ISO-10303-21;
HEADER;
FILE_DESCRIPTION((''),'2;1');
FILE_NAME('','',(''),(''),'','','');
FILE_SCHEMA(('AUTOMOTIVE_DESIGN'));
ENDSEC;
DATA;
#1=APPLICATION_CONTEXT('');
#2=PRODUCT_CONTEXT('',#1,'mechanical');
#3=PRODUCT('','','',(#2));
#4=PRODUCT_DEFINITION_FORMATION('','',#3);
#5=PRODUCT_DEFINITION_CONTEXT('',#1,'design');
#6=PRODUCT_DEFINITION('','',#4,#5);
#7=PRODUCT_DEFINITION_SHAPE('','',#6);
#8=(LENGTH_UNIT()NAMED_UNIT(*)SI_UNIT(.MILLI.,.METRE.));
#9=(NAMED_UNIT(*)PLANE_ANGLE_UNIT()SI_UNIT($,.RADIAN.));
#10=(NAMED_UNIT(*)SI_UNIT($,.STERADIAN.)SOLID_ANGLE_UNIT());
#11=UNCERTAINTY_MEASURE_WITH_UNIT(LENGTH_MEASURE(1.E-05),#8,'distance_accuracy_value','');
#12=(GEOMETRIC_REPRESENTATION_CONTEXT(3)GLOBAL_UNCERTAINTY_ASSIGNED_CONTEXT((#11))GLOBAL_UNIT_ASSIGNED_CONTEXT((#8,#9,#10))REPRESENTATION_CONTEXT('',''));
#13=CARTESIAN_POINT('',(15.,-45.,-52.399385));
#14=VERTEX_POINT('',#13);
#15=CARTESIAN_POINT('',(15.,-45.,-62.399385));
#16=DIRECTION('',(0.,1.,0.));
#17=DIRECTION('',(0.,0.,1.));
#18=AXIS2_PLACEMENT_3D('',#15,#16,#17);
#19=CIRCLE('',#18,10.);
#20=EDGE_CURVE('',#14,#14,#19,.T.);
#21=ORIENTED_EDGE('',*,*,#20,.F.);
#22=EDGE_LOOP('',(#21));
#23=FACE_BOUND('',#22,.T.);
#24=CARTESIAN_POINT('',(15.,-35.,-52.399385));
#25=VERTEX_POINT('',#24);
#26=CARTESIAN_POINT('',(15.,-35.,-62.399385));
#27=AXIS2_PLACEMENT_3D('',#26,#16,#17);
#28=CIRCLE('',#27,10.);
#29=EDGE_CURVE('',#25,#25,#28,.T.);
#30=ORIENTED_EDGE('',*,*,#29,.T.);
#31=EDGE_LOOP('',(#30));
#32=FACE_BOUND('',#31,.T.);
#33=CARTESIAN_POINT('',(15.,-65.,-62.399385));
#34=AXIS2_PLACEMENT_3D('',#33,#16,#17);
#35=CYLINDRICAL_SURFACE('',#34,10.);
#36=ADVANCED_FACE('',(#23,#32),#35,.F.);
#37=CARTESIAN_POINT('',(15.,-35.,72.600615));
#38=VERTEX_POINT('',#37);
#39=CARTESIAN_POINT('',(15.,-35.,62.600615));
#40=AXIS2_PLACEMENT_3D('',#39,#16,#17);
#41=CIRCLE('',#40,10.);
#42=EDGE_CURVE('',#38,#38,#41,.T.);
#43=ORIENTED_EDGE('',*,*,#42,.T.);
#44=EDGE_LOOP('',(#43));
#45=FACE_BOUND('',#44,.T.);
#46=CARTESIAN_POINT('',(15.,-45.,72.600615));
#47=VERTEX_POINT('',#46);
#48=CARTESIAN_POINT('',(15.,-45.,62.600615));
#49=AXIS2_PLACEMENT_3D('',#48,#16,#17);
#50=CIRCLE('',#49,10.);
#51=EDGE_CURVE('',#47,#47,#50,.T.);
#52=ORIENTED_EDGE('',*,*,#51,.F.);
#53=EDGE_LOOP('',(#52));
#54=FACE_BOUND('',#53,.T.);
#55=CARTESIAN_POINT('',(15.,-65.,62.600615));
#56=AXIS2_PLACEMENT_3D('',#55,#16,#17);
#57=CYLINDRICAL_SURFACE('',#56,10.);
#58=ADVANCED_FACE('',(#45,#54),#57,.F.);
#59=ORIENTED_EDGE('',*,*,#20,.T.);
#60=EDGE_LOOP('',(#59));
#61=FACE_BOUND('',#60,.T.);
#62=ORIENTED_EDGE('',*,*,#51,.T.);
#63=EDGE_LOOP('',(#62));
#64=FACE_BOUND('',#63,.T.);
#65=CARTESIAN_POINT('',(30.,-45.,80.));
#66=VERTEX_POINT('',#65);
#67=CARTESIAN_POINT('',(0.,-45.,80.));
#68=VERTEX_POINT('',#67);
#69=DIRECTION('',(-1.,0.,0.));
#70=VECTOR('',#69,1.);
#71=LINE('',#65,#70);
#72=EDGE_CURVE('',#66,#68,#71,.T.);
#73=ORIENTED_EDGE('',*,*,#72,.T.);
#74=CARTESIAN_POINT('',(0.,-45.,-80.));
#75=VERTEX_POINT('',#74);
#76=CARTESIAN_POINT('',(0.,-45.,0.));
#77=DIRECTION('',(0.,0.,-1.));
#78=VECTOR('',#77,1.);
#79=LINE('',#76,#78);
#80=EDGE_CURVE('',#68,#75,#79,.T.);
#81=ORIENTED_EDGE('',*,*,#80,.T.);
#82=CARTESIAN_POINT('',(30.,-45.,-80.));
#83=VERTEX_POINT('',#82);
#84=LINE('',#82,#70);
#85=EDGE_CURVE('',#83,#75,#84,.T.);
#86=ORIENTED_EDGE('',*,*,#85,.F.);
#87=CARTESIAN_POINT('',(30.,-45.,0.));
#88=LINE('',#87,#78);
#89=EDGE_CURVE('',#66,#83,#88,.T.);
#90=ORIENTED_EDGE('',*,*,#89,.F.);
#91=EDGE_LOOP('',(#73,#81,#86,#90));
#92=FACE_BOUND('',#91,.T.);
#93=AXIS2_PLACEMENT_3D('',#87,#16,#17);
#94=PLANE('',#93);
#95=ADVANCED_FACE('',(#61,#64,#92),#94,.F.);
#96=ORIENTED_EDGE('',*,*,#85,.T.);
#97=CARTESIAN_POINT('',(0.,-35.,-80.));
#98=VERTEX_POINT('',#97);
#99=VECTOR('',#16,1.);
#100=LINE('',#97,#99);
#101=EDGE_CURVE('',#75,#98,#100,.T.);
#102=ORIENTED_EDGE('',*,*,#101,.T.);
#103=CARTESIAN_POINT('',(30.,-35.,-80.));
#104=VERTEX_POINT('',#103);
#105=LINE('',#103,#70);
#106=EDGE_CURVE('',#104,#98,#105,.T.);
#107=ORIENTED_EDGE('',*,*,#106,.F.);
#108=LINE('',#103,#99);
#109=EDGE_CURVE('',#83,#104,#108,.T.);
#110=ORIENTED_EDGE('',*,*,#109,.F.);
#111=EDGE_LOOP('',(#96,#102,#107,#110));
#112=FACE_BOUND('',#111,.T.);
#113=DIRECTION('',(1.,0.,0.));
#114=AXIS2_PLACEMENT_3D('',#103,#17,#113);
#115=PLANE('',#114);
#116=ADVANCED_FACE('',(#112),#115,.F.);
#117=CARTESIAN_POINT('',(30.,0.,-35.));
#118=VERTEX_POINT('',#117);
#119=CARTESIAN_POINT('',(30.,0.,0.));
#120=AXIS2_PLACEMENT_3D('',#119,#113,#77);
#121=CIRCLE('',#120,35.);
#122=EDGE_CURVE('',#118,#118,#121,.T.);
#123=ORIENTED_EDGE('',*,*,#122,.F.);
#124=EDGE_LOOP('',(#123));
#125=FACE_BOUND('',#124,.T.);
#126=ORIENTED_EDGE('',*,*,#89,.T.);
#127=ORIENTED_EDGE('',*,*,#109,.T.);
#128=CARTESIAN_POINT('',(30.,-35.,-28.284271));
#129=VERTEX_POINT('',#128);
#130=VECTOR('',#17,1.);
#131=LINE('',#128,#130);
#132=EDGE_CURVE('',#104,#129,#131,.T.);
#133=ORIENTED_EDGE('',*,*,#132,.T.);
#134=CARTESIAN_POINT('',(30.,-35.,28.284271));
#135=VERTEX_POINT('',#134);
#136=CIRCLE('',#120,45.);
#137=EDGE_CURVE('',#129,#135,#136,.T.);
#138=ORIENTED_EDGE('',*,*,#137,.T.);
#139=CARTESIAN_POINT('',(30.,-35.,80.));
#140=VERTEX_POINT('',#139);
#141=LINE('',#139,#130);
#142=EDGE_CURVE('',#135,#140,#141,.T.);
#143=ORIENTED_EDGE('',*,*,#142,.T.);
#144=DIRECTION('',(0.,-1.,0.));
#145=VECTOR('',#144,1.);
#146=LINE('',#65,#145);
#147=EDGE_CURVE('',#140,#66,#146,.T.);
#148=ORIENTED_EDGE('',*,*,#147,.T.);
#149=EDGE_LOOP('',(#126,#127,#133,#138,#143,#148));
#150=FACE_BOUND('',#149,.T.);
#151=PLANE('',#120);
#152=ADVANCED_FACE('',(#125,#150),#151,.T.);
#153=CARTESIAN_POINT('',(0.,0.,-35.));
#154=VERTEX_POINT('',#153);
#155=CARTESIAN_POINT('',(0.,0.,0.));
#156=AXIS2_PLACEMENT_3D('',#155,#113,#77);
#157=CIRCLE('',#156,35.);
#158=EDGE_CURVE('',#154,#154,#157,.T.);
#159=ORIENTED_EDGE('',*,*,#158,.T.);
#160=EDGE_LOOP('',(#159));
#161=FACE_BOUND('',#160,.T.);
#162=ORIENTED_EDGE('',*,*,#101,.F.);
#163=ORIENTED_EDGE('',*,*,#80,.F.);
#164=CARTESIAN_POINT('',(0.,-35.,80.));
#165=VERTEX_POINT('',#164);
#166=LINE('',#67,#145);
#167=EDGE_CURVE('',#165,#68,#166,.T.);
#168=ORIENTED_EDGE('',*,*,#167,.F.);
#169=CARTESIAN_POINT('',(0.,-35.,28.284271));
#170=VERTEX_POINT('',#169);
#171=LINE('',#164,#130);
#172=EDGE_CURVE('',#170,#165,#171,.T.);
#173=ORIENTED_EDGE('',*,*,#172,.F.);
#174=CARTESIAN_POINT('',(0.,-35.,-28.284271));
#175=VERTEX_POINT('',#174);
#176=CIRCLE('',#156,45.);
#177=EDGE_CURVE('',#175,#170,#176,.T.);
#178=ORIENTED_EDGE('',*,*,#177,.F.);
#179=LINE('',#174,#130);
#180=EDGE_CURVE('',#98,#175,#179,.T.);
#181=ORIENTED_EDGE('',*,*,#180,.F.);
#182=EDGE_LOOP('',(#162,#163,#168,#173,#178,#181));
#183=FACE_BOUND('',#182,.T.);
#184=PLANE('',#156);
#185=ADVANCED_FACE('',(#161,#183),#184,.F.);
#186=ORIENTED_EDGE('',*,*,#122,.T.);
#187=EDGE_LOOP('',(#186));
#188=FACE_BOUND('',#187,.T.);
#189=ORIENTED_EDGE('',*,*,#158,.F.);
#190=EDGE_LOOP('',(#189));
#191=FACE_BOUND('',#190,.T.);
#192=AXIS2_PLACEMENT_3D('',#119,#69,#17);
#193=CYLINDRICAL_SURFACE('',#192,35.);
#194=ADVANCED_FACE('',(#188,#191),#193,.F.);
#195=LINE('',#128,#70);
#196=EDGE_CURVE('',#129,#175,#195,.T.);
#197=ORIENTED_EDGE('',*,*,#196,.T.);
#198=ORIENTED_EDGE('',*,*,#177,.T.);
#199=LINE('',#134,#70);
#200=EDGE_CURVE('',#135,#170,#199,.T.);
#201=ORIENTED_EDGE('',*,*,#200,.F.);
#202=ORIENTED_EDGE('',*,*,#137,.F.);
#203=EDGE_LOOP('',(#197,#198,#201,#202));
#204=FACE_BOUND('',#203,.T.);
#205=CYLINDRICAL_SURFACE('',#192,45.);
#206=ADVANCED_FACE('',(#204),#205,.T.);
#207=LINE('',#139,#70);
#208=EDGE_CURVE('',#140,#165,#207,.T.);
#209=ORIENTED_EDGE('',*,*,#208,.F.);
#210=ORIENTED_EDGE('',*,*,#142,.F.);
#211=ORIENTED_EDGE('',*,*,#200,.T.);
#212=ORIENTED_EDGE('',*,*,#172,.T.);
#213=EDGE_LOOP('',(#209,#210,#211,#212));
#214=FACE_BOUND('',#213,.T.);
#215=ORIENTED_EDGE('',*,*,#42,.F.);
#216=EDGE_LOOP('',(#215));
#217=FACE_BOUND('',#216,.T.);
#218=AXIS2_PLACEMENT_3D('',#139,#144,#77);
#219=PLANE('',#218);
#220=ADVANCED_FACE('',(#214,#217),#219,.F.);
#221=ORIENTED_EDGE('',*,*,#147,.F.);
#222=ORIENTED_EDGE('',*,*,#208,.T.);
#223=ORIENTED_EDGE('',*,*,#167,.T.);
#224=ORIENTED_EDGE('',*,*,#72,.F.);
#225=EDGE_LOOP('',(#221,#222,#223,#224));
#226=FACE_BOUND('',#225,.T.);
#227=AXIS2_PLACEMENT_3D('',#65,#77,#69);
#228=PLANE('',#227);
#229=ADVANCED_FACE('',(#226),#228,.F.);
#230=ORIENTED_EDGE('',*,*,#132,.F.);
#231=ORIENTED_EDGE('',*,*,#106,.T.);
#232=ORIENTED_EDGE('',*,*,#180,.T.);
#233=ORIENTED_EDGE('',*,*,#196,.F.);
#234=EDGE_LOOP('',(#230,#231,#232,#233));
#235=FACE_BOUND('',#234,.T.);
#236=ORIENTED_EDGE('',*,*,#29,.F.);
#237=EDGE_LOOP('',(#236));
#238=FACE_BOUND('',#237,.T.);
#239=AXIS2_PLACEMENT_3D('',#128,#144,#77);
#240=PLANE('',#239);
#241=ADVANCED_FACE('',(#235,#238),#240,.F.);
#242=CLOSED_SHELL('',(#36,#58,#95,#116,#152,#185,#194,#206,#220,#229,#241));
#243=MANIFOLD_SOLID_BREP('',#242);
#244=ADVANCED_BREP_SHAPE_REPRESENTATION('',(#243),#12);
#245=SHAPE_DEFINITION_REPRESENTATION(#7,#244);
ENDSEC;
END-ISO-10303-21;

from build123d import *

# Parameters (mm, degrees)
SKETCH1_R           = 35
BOSS_EXTRUDE1_DEPTH = 30
SKETCH2_R           = 10
CUT_EXTRUDE1_DEPTH  = 30


with BuildPart() as part:
    # Sketch1 → Boss-Extrude1 (new body)
    with BuildSketch(Plane(origin=(0, 0, 0), x_dir=(0, 0, -1), z_dir=(1, 0, 0))):
        with BuildLine():
            Line((0, -45), (80, -45))
            Line((80, -45), (80, -35))
            Line((80, -35), (28.284271247, -35))
            ThreePointArc((28.284271247, -35), (0, 45), (-28.284271247, -35))
            Line((-28.284271247, -35), (-80, -35))
            Line((-80, -35), (-80, -45))
            Line((-80, -45), (0, -45))
        make_face()
        Circle(SKETCH1_R, mode=Mode.SUBTRACT)
    extrude(amount=BOSS_EXTRUDE1_DEPTH)

    # Sketch2 → Cut-Extrude1 (cut)
    with BuildSketch(Plane(origin=(0, -35, 0), x_dir=(1, 0, 0), z_dir=(0, 1, 0))):
        with Locations(Location((15, 62.399384691, 0), (0, 0, 270))):
            Circle(SKETCH2_R)
        with Locations(Location((15, -62.600615309, 0), (0, 0, 270))):
            Circle(SKETCH2_R)
    extrude(amount=-CUT_EXTRUDE1_DEPTH, mode=Mode.SUBTRACT)


solid = part.part
